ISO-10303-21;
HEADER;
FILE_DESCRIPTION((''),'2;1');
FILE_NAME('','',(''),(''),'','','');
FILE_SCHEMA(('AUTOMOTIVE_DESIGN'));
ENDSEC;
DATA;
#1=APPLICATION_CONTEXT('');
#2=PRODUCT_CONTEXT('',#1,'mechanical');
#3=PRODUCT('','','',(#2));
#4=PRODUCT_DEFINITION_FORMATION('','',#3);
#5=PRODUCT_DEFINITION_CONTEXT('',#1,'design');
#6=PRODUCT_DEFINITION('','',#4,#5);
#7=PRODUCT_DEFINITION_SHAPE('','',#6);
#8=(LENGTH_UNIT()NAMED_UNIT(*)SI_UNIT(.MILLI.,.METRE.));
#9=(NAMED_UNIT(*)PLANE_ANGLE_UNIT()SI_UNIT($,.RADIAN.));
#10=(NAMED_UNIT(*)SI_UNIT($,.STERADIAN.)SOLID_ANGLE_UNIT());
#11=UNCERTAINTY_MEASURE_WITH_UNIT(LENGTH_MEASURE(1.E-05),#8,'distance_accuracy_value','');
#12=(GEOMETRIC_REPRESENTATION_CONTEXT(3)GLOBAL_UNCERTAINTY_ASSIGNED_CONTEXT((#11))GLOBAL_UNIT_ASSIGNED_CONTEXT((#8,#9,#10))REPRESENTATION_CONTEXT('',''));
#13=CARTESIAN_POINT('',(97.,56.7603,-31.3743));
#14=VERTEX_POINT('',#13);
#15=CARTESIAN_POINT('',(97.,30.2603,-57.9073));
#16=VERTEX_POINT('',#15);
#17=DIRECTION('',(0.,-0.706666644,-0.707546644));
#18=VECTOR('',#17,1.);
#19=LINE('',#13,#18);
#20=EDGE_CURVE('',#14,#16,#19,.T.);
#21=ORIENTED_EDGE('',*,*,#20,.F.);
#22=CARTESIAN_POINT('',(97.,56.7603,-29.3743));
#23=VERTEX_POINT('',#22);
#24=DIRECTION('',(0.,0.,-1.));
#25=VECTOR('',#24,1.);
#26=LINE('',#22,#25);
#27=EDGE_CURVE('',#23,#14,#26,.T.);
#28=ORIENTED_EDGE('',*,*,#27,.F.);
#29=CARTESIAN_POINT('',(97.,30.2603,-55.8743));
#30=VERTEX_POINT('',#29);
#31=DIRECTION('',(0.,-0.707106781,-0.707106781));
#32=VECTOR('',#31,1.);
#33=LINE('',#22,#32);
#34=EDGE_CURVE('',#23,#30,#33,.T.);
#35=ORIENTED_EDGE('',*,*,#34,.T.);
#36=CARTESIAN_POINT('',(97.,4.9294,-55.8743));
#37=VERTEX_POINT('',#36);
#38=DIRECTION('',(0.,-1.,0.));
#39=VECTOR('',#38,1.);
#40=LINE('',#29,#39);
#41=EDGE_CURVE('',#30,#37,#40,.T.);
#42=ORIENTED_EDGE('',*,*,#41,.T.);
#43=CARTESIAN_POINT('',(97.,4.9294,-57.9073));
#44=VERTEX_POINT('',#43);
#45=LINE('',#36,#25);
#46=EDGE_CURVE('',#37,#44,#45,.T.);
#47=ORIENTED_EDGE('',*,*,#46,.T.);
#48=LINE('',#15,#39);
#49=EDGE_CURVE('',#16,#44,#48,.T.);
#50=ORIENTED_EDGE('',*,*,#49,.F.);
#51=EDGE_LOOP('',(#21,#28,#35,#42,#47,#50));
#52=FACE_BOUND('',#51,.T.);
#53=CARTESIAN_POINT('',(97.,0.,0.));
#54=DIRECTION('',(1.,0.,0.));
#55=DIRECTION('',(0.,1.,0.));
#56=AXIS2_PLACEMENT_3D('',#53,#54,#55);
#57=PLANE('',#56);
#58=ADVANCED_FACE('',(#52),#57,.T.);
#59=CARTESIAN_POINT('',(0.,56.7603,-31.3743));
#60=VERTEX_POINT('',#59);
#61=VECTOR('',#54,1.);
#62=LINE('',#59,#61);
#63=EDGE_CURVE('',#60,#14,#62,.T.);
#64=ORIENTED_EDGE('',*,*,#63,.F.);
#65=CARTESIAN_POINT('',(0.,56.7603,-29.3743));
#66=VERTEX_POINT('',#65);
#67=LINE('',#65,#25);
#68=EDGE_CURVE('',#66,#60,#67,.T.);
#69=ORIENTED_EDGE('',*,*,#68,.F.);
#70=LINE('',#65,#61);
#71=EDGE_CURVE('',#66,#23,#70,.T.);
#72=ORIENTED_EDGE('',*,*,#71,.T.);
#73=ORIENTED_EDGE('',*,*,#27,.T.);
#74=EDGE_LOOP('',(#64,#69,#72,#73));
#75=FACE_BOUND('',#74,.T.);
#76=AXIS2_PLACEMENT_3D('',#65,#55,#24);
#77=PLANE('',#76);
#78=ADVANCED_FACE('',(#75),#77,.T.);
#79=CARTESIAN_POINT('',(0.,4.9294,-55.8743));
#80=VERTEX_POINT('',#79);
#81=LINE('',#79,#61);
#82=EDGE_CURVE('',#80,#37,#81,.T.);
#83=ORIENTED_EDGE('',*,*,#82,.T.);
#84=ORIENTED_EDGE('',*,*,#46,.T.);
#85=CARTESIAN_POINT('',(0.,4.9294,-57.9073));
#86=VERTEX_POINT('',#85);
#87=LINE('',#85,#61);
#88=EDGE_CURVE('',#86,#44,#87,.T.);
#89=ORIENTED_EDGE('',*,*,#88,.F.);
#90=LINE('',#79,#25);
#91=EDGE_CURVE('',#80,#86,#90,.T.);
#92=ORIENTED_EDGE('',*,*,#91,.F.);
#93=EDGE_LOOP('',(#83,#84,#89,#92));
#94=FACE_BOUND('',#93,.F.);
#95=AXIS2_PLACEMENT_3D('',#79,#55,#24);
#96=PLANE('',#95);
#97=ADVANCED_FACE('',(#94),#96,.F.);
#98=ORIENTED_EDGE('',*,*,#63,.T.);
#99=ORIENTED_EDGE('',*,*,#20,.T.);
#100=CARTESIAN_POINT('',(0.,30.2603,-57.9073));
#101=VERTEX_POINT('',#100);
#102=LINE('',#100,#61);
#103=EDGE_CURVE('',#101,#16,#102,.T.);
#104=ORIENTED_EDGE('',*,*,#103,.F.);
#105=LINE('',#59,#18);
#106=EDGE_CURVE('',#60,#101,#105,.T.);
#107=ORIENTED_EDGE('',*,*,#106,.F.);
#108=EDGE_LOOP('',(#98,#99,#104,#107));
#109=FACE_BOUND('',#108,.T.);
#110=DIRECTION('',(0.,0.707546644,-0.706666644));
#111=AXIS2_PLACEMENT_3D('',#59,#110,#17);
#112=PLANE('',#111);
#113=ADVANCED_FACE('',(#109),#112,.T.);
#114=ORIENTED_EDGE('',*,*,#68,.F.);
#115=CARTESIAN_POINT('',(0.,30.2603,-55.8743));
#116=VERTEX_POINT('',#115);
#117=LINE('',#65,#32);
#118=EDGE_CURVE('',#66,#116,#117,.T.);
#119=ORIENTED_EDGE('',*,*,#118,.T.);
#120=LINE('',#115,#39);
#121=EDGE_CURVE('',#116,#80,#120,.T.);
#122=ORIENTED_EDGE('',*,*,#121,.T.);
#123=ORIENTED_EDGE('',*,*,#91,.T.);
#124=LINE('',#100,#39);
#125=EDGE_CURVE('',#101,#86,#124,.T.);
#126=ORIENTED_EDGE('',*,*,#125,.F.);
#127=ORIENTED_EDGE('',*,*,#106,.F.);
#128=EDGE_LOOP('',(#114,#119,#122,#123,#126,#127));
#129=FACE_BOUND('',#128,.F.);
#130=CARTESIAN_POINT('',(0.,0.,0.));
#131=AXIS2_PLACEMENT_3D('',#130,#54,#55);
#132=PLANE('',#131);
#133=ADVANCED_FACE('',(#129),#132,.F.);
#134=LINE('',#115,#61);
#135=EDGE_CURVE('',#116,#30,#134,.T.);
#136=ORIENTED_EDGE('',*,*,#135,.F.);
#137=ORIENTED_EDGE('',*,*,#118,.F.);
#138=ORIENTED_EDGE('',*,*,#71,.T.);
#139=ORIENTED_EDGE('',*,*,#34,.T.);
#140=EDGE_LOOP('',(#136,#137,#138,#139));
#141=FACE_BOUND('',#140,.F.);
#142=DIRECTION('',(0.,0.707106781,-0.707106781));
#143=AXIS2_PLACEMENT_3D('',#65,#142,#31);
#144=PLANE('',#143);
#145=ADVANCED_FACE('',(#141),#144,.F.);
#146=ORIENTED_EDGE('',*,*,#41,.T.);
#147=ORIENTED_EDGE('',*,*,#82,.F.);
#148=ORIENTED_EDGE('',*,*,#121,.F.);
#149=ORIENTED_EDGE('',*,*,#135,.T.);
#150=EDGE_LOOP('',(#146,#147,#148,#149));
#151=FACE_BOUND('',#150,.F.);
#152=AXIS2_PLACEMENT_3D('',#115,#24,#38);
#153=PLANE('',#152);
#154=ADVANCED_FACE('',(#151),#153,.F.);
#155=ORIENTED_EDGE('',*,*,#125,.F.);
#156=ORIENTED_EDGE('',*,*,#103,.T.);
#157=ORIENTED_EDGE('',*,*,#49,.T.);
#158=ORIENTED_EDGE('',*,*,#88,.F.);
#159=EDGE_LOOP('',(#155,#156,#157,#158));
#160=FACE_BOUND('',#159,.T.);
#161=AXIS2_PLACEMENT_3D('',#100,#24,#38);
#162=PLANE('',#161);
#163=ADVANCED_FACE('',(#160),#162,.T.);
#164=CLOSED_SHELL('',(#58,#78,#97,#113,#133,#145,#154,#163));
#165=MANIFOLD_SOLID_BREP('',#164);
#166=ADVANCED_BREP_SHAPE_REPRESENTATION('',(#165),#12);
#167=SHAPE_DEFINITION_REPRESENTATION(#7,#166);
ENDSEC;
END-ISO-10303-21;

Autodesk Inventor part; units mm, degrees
ref_plane "YZ Plane" through (0, 0, 0) normal (1, 0, 0) x (0, 1, 0)
ref_plane "XZ Plane" through (0, 0, 0) normal (0, 1, 0) x (-1, 0, 0)
ref_plane "XY Plane" through (0, 0, 0) normal (0, 0, 1) x (1, 0, 0)
sketch "Esboço1" plane through (0, 0, 0) normal (1, 0, 0) x (0, 1, 0)
  line L0 (30.2603, -55.8743) -> (4.9294, -55.8743)
  line L1 (30.2603, -57.9073) -> (4.9294, -57.9073)
  line L2 (56.7603, -29.3743) -> (30.2603, -55.8743)
  line L3 (56.7603, -31.3743) -> (30.2603, -57.9073)
  line L4 (4.9294, -55.8743) -> (4.9294, -57.9073)
  line L5 (56.7603, -29.3743) -> (56.7603, -31.3743)
  point P0 (0, 0)
  point P1 (56.7603, -55.8743)
  point P2 (56.7603, -55.8743)
  dimension "d4" = 26.5
  dimension "d5" = 26.5
  dimension "d6" = 2
  dimension "d7" = 37.5
extrude "Extrusão1" add sketch "Esboço1" along normal blind 97
equation "\"d5\" = d4"
properties part number "Mini Sumô Definitivo - TAMPA"
